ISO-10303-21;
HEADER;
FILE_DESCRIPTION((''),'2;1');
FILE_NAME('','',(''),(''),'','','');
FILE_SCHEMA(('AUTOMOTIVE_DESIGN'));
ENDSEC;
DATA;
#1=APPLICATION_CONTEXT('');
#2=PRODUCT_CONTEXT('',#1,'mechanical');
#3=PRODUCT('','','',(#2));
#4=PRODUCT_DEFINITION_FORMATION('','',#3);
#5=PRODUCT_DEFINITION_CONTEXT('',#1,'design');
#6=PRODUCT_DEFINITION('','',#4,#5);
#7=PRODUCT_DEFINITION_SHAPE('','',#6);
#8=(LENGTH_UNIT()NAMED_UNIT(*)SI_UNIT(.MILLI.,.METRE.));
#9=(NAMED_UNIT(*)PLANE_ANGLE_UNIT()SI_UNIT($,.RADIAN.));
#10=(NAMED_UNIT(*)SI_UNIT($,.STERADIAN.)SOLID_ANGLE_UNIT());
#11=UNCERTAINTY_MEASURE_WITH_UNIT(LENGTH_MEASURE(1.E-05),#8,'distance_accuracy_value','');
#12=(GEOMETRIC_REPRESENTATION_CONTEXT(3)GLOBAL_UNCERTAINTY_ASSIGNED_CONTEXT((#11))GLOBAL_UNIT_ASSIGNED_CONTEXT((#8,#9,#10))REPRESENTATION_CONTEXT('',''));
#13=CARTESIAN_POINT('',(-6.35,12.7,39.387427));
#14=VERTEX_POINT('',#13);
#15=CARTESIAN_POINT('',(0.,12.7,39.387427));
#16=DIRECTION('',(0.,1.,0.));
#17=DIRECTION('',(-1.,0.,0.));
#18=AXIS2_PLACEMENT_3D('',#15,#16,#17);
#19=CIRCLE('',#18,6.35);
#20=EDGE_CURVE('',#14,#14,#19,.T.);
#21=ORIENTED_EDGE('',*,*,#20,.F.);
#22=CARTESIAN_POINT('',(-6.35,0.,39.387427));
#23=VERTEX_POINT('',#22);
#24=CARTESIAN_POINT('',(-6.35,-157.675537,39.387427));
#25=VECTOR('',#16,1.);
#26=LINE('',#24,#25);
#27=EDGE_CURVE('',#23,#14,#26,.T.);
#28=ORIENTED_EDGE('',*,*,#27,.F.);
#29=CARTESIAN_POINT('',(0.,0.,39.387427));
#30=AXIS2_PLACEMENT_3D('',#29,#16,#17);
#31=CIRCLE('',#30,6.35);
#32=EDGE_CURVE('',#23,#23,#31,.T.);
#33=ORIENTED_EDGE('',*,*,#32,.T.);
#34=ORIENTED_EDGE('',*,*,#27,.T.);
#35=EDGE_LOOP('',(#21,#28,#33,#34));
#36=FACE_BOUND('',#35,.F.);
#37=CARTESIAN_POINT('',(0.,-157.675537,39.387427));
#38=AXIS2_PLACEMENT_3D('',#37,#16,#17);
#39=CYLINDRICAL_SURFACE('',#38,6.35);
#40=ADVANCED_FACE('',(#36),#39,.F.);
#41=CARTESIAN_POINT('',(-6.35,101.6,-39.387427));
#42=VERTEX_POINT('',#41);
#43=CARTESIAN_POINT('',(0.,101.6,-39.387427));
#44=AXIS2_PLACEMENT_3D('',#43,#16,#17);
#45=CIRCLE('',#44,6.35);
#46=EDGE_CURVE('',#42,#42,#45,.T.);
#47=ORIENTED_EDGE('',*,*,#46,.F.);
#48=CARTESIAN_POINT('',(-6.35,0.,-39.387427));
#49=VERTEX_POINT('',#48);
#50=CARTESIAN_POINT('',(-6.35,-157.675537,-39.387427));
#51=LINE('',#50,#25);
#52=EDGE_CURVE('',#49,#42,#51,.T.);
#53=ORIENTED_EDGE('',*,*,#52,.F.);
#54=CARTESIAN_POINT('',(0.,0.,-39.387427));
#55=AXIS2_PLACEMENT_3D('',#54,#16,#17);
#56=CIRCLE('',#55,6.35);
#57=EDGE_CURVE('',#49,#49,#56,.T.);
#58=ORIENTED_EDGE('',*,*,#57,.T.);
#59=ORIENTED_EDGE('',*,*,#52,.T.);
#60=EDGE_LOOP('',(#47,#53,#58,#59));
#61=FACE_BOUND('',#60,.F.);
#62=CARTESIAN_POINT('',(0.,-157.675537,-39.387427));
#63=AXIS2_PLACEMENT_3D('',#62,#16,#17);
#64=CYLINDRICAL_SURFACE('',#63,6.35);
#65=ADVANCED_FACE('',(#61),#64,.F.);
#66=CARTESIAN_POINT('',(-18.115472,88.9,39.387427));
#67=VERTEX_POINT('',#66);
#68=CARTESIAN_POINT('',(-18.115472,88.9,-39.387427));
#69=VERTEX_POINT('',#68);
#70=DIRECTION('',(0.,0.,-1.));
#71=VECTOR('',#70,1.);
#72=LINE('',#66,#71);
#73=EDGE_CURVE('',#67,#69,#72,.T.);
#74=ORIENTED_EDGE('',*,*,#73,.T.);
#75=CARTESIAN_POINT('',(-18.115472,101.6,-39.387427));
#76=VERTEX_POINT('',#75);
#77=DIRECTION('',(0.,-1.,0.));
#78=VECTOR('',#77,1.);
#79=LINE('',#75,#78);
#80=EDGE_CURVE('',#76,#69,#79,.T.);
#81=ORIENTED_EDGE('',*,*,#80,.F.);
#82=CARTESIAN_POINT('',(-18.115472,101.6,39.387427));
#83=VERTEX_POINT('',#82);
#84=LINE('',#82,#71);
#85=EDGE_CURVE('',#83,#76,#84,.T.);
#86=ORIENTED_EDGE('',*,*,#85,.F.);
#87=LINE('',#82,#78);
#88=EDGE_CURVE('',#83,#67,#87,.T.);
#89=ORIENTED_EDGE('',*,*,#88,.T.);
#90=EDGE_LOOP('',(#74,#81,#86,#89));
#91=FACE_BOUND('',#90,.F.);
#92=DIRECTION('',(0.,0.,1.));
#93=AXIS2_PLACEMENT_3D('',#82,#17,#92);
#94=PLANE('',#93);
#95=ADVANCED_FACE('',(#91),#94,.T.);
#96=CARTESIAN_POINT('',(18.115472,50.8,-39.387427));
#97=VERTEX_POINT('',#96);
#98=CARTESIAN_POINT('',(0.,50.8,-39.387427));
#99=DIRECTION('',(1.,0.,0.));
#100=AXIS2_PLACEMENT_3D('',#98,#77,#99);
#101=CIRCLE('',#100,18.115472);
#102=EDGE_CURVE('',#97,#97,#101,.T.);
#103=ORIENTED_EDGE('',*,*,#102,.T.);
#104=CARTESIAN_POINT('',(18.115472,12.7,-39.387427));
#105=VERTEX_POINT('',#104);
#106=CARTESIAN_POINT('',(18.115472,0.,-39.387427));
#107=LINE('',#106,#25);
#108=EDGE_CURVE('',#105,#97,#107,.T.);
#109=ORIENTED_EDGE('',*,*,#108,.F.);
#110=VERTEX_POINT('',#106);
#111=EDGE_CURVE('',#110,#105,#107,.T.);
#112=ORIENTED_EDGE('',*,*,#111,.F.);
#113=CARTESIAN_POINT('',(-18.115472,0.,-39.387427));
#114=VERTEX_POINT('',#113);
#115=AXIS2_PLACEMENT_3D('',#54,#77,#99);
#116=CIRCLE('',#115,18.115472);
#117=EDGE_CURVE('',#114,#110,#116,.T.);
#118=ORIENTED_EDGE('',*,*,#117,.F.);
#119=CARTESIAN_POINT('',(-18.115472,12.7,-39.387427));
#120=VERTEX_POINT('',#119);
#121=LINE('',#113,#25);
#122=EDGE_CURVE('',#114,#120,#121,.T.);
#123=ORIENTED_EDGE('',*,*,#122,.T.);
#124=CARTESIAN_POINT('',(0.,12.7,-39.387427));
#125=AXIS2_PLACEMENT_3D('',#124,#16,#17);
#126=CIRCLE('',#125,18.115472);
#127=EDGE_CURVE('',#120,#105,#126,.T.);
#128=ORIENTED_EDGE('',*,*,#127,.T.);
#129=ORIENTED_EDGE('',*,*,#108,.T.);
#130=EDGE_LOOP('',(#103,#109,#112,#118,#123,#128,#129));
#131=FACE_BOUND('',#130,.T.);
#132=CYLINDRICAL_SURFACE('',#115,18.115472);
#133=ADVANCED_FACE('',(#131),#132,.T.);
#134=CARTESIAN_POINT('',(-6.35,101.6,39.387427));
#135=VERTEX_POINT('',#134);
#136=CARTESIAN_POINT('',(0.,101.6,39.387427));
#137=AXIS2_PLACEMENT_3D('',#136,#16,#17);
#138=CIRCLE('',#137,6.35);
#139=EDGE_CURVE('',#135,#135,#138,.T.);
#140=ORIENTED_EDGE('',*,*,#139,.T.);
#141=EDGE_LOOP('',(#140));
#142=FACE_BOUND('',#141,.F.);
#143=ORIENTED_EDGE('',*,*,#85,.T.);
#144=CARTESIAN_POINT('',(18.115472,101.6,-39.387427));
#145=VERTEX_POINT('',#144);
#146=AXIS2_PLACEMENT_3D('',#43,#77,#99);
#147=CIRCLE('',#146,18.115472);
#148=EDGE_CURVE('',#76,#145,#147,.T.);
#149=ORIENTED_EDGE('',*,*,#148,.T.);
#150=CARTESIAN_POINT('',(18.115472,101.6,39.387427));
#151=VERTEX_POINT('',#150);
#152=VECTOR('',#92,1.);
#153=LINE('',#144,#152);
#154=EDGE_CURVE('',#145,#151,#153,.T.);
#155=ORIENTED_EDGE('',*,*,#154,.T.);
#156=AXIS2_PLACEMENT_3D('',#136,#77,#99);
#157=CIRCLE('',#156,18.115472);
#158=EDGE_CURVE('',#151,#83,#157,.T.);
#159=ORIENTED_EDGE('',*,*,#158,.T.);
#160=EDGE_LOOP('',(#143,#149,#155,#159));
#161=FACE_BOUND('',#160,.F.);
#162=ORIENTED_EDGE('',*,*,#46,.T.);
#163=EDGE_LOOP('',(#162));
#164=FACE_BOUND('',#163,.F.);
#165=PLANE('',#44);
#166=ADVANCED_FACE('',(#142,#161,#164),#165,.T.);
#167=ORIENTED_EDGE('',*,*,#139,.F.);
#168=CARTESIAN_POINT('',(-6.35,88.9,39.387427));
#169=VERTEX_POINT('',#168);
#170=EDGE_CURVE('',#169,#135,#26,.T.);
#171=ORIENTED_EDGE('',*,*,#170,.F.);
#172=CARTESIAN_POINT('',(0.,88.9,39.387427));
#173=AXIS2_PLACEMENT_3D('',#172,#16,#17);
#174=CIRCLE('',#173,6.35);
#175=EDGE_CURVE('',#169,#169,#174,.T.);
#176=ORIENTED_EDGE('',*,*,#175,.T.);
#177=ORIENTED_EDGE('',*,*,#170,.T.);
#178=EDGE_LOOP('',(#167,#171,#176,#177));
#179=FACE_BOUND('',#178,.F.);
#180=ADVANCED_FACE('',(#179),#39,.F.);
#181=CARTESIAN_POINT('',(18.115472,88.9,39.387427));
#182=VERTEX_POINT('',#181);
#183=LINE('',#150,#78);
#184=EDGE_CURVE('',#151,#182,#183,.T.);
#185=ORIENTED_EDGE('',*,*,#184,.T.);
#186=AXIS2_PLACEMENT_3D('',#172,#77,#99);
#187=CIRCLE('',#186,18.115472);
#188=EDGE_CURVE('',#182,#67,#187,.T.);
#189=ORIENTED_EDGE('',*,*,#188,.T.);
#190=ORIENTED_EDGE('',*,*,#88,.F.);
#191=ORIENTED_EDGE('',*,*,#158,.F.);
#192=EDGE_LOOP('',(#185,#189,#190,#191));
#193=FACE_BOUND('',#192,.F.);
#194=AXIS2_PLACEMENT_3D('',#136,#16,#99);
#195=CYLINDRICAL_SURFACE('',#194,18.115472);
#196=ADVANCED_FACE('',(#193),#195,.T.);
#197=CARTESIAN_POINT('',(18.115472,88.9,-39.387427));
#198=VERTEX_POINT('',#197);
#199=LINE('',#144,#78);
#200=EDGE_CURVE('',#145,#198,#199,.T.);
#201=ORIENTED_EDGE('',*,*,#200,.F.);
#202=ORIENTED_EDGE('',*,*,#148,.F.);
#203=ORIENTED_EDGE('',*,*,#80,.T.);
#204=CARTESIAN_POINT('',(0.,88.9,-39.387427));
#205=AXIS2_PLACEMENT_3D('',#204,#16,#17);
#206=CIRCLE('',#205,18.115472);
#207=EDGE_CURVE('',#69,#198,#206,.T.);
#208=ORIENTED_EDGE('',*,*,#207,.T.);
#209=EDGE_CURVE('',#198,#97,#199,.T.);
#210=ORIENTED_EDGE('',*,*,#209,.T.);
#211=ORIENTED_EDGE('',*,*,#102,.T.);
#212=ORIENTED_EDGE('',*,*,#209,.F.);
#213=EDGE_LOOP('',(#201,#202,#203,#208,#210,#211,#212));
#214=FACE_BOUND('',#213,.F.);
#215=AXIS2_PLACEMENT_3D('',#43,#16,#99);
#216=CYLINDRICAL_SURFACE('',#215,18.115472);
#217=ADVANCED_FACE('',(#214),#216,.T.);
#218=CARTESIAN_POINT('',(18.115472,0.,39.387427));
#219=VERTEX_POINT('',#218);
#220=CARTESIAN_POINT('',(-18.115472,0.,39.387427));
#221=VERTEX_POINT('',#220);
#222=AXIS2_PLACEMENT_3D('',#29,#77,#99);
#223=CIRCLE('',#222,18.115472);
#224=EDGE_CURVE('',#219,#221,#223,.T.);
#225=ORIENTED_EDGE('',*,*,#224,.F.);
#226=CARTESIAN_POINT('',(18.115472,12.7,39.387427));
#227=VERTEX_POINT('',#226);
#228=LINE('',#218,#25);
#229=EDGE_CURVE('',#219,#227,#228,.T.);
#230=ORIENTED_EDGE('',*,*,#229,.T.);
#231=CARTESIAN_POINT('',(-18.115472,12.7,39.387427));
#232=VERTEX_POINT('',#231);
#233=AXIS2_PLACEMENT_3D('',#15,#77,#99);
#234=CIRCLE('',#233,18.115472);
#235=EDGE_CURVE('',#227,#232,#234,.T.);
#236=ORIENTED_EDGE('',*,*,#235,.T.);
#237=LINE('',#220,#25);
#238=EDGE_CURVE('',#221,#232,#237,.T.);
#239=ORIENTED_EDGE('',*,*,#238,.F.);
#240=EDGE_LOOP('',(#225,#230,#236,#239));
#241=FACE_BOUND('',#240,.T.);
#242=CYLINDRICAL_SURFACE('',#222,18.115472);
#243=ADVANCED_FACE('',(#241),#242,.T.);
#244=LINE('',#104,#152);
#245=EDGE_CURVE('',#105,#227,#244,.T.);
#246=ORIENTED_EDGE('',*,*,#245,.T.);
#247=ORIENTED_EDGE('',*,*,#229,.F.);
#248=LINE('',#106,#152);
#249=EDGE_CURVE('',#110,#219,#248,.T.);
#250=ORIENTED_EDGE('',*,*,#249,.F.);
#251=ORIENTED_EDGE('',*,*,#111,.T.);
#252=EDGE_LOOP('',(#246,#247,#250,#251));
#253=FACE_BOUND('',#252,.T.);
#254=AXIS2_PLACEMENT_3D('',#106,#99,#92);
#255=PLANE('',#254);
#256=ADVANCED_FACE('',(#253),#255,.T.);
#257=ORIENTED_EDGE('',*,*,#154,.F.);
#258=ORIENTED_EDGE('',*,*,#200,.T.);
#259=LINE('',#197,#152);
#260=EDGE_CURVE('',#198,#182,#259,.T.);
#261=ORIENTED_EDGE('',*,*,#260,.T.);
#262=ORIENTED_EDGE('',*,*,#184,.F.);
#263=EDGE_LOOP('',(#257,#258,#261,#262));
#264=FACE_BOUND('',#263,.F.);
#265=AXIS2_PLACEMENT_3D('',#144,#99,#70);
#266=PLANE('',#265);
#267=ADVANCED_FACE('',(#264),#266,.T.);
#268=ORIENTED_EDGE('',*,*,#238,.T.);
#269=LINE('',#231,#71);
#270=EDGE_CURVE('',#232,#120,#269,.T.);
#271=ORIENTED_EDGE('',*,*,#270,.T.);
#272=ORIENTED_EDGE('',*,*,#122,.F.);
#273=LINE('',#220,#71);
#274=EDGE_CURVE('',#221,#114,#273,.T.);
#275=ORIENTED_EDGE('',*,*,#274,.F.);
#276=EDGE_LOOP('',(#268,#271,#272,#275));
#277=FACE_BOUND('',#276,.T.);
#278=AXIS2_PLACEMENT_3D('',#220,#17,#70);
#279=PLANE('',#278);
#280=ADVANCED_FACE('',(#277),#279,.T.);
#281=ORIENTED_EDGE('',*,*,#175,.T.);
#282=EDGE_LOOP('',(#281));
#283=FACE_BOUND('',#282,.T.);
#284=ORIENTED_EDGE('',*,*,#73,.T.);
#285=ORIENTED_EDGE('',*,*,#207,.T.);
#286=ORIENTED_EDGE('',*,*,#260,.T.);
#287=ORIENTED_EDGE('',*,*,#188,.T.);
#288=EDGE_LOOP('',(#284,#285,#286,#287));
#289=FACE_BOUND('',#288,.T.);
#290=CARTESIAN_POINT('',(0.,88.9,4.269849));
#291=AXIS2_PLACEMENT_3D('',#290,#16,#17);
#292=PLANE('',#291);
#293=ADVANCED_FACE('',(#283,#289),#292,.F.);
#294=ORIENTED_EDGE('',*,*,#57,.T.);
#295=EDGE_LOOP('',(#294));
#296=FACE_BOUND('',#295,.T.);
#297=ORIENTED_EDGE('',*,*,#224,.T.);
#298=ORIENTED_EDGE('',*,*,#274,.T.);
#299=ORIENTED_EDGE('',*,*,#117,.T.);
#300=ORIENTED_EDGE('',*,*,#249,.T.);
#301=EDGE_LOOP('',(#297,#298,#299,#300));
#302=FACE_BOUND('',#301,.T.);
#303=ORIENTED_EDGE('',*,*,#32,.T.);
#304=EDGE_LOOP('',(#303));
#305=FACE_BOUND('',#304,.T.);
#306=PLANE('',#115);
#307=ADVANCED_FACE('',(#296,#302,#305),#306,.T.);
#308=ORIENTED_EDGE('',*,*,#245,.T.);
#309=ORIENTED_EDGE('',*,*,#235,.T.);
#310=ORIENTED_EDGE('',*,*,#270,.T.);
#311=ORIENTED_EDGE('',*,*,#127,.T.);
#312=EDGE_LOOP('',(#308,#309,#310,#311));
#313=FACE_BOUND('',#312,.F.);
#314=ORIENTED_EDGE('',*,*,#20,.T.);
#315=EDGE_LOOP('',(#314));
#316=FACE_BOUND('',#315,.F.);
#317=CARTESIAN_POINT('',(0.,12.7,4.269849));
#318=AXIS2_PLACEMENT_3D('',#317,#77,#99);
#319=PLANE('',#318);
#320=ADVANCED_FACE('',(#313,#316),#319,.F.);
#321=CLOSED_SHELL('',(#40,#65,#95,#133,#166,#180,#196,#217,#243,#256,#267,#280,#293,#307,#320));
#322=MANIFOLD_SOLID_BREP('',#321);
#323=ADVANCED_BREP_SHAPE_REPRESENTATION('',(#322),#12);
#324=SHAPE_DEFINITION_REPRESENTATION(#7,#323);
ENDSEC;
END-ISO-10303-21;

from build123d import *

# Parameters (mm, degrees)
F1_DEPTH = 12.7
F3_DEPTH = 50.8
F7_D     = 12.7


with BuildPart() as f1:
    # F0 (on Front) → F1 (new body)
    with BuildSketch(Plane.XZ):
        with BuildLine():
            ThreePointArc((18.115472, 39.387427), (0, 57.502899), (-18.115472, 39.387427))
            Line((-18.115472, 39.387427), (-18.115472, -39.387427))
            ThreePointArc((-18.115472, -39.387427), (0, -21.271955), (18.115472, -39.387427))
            Line((18.115472, -39.387427), (18.115472, 39.387427))
        make_face()
    extrude(amount=-F1_DEPTH)

    # F2 (on face) → F3 (join)
    with BuildSketch(Plane.XZ):
        with BuildLine():
            ThreePointArc((-18.115472, -39.387427), (0, -57.502899), (18.115472, -39.387427))
            ThreePointArc((18.115472, -39.387427), (0, -21.271955), (-18.115472, -39.387427))
        make_face()
    extrude(amount=-F3_DEPTH)

    # F5: F1 across plane


with BuildPart() as f1_1:
    add(f1.part)
    add(f1.part.mirror(Plane.XZ.offset(-50.8)))

    # F7 (through all)
    with Locations(Plane.XZ):
        with Locations((0, -39.387427), (0, 39.387427)):
            Hole(F7_D / 2)


solid = f1_1.part
